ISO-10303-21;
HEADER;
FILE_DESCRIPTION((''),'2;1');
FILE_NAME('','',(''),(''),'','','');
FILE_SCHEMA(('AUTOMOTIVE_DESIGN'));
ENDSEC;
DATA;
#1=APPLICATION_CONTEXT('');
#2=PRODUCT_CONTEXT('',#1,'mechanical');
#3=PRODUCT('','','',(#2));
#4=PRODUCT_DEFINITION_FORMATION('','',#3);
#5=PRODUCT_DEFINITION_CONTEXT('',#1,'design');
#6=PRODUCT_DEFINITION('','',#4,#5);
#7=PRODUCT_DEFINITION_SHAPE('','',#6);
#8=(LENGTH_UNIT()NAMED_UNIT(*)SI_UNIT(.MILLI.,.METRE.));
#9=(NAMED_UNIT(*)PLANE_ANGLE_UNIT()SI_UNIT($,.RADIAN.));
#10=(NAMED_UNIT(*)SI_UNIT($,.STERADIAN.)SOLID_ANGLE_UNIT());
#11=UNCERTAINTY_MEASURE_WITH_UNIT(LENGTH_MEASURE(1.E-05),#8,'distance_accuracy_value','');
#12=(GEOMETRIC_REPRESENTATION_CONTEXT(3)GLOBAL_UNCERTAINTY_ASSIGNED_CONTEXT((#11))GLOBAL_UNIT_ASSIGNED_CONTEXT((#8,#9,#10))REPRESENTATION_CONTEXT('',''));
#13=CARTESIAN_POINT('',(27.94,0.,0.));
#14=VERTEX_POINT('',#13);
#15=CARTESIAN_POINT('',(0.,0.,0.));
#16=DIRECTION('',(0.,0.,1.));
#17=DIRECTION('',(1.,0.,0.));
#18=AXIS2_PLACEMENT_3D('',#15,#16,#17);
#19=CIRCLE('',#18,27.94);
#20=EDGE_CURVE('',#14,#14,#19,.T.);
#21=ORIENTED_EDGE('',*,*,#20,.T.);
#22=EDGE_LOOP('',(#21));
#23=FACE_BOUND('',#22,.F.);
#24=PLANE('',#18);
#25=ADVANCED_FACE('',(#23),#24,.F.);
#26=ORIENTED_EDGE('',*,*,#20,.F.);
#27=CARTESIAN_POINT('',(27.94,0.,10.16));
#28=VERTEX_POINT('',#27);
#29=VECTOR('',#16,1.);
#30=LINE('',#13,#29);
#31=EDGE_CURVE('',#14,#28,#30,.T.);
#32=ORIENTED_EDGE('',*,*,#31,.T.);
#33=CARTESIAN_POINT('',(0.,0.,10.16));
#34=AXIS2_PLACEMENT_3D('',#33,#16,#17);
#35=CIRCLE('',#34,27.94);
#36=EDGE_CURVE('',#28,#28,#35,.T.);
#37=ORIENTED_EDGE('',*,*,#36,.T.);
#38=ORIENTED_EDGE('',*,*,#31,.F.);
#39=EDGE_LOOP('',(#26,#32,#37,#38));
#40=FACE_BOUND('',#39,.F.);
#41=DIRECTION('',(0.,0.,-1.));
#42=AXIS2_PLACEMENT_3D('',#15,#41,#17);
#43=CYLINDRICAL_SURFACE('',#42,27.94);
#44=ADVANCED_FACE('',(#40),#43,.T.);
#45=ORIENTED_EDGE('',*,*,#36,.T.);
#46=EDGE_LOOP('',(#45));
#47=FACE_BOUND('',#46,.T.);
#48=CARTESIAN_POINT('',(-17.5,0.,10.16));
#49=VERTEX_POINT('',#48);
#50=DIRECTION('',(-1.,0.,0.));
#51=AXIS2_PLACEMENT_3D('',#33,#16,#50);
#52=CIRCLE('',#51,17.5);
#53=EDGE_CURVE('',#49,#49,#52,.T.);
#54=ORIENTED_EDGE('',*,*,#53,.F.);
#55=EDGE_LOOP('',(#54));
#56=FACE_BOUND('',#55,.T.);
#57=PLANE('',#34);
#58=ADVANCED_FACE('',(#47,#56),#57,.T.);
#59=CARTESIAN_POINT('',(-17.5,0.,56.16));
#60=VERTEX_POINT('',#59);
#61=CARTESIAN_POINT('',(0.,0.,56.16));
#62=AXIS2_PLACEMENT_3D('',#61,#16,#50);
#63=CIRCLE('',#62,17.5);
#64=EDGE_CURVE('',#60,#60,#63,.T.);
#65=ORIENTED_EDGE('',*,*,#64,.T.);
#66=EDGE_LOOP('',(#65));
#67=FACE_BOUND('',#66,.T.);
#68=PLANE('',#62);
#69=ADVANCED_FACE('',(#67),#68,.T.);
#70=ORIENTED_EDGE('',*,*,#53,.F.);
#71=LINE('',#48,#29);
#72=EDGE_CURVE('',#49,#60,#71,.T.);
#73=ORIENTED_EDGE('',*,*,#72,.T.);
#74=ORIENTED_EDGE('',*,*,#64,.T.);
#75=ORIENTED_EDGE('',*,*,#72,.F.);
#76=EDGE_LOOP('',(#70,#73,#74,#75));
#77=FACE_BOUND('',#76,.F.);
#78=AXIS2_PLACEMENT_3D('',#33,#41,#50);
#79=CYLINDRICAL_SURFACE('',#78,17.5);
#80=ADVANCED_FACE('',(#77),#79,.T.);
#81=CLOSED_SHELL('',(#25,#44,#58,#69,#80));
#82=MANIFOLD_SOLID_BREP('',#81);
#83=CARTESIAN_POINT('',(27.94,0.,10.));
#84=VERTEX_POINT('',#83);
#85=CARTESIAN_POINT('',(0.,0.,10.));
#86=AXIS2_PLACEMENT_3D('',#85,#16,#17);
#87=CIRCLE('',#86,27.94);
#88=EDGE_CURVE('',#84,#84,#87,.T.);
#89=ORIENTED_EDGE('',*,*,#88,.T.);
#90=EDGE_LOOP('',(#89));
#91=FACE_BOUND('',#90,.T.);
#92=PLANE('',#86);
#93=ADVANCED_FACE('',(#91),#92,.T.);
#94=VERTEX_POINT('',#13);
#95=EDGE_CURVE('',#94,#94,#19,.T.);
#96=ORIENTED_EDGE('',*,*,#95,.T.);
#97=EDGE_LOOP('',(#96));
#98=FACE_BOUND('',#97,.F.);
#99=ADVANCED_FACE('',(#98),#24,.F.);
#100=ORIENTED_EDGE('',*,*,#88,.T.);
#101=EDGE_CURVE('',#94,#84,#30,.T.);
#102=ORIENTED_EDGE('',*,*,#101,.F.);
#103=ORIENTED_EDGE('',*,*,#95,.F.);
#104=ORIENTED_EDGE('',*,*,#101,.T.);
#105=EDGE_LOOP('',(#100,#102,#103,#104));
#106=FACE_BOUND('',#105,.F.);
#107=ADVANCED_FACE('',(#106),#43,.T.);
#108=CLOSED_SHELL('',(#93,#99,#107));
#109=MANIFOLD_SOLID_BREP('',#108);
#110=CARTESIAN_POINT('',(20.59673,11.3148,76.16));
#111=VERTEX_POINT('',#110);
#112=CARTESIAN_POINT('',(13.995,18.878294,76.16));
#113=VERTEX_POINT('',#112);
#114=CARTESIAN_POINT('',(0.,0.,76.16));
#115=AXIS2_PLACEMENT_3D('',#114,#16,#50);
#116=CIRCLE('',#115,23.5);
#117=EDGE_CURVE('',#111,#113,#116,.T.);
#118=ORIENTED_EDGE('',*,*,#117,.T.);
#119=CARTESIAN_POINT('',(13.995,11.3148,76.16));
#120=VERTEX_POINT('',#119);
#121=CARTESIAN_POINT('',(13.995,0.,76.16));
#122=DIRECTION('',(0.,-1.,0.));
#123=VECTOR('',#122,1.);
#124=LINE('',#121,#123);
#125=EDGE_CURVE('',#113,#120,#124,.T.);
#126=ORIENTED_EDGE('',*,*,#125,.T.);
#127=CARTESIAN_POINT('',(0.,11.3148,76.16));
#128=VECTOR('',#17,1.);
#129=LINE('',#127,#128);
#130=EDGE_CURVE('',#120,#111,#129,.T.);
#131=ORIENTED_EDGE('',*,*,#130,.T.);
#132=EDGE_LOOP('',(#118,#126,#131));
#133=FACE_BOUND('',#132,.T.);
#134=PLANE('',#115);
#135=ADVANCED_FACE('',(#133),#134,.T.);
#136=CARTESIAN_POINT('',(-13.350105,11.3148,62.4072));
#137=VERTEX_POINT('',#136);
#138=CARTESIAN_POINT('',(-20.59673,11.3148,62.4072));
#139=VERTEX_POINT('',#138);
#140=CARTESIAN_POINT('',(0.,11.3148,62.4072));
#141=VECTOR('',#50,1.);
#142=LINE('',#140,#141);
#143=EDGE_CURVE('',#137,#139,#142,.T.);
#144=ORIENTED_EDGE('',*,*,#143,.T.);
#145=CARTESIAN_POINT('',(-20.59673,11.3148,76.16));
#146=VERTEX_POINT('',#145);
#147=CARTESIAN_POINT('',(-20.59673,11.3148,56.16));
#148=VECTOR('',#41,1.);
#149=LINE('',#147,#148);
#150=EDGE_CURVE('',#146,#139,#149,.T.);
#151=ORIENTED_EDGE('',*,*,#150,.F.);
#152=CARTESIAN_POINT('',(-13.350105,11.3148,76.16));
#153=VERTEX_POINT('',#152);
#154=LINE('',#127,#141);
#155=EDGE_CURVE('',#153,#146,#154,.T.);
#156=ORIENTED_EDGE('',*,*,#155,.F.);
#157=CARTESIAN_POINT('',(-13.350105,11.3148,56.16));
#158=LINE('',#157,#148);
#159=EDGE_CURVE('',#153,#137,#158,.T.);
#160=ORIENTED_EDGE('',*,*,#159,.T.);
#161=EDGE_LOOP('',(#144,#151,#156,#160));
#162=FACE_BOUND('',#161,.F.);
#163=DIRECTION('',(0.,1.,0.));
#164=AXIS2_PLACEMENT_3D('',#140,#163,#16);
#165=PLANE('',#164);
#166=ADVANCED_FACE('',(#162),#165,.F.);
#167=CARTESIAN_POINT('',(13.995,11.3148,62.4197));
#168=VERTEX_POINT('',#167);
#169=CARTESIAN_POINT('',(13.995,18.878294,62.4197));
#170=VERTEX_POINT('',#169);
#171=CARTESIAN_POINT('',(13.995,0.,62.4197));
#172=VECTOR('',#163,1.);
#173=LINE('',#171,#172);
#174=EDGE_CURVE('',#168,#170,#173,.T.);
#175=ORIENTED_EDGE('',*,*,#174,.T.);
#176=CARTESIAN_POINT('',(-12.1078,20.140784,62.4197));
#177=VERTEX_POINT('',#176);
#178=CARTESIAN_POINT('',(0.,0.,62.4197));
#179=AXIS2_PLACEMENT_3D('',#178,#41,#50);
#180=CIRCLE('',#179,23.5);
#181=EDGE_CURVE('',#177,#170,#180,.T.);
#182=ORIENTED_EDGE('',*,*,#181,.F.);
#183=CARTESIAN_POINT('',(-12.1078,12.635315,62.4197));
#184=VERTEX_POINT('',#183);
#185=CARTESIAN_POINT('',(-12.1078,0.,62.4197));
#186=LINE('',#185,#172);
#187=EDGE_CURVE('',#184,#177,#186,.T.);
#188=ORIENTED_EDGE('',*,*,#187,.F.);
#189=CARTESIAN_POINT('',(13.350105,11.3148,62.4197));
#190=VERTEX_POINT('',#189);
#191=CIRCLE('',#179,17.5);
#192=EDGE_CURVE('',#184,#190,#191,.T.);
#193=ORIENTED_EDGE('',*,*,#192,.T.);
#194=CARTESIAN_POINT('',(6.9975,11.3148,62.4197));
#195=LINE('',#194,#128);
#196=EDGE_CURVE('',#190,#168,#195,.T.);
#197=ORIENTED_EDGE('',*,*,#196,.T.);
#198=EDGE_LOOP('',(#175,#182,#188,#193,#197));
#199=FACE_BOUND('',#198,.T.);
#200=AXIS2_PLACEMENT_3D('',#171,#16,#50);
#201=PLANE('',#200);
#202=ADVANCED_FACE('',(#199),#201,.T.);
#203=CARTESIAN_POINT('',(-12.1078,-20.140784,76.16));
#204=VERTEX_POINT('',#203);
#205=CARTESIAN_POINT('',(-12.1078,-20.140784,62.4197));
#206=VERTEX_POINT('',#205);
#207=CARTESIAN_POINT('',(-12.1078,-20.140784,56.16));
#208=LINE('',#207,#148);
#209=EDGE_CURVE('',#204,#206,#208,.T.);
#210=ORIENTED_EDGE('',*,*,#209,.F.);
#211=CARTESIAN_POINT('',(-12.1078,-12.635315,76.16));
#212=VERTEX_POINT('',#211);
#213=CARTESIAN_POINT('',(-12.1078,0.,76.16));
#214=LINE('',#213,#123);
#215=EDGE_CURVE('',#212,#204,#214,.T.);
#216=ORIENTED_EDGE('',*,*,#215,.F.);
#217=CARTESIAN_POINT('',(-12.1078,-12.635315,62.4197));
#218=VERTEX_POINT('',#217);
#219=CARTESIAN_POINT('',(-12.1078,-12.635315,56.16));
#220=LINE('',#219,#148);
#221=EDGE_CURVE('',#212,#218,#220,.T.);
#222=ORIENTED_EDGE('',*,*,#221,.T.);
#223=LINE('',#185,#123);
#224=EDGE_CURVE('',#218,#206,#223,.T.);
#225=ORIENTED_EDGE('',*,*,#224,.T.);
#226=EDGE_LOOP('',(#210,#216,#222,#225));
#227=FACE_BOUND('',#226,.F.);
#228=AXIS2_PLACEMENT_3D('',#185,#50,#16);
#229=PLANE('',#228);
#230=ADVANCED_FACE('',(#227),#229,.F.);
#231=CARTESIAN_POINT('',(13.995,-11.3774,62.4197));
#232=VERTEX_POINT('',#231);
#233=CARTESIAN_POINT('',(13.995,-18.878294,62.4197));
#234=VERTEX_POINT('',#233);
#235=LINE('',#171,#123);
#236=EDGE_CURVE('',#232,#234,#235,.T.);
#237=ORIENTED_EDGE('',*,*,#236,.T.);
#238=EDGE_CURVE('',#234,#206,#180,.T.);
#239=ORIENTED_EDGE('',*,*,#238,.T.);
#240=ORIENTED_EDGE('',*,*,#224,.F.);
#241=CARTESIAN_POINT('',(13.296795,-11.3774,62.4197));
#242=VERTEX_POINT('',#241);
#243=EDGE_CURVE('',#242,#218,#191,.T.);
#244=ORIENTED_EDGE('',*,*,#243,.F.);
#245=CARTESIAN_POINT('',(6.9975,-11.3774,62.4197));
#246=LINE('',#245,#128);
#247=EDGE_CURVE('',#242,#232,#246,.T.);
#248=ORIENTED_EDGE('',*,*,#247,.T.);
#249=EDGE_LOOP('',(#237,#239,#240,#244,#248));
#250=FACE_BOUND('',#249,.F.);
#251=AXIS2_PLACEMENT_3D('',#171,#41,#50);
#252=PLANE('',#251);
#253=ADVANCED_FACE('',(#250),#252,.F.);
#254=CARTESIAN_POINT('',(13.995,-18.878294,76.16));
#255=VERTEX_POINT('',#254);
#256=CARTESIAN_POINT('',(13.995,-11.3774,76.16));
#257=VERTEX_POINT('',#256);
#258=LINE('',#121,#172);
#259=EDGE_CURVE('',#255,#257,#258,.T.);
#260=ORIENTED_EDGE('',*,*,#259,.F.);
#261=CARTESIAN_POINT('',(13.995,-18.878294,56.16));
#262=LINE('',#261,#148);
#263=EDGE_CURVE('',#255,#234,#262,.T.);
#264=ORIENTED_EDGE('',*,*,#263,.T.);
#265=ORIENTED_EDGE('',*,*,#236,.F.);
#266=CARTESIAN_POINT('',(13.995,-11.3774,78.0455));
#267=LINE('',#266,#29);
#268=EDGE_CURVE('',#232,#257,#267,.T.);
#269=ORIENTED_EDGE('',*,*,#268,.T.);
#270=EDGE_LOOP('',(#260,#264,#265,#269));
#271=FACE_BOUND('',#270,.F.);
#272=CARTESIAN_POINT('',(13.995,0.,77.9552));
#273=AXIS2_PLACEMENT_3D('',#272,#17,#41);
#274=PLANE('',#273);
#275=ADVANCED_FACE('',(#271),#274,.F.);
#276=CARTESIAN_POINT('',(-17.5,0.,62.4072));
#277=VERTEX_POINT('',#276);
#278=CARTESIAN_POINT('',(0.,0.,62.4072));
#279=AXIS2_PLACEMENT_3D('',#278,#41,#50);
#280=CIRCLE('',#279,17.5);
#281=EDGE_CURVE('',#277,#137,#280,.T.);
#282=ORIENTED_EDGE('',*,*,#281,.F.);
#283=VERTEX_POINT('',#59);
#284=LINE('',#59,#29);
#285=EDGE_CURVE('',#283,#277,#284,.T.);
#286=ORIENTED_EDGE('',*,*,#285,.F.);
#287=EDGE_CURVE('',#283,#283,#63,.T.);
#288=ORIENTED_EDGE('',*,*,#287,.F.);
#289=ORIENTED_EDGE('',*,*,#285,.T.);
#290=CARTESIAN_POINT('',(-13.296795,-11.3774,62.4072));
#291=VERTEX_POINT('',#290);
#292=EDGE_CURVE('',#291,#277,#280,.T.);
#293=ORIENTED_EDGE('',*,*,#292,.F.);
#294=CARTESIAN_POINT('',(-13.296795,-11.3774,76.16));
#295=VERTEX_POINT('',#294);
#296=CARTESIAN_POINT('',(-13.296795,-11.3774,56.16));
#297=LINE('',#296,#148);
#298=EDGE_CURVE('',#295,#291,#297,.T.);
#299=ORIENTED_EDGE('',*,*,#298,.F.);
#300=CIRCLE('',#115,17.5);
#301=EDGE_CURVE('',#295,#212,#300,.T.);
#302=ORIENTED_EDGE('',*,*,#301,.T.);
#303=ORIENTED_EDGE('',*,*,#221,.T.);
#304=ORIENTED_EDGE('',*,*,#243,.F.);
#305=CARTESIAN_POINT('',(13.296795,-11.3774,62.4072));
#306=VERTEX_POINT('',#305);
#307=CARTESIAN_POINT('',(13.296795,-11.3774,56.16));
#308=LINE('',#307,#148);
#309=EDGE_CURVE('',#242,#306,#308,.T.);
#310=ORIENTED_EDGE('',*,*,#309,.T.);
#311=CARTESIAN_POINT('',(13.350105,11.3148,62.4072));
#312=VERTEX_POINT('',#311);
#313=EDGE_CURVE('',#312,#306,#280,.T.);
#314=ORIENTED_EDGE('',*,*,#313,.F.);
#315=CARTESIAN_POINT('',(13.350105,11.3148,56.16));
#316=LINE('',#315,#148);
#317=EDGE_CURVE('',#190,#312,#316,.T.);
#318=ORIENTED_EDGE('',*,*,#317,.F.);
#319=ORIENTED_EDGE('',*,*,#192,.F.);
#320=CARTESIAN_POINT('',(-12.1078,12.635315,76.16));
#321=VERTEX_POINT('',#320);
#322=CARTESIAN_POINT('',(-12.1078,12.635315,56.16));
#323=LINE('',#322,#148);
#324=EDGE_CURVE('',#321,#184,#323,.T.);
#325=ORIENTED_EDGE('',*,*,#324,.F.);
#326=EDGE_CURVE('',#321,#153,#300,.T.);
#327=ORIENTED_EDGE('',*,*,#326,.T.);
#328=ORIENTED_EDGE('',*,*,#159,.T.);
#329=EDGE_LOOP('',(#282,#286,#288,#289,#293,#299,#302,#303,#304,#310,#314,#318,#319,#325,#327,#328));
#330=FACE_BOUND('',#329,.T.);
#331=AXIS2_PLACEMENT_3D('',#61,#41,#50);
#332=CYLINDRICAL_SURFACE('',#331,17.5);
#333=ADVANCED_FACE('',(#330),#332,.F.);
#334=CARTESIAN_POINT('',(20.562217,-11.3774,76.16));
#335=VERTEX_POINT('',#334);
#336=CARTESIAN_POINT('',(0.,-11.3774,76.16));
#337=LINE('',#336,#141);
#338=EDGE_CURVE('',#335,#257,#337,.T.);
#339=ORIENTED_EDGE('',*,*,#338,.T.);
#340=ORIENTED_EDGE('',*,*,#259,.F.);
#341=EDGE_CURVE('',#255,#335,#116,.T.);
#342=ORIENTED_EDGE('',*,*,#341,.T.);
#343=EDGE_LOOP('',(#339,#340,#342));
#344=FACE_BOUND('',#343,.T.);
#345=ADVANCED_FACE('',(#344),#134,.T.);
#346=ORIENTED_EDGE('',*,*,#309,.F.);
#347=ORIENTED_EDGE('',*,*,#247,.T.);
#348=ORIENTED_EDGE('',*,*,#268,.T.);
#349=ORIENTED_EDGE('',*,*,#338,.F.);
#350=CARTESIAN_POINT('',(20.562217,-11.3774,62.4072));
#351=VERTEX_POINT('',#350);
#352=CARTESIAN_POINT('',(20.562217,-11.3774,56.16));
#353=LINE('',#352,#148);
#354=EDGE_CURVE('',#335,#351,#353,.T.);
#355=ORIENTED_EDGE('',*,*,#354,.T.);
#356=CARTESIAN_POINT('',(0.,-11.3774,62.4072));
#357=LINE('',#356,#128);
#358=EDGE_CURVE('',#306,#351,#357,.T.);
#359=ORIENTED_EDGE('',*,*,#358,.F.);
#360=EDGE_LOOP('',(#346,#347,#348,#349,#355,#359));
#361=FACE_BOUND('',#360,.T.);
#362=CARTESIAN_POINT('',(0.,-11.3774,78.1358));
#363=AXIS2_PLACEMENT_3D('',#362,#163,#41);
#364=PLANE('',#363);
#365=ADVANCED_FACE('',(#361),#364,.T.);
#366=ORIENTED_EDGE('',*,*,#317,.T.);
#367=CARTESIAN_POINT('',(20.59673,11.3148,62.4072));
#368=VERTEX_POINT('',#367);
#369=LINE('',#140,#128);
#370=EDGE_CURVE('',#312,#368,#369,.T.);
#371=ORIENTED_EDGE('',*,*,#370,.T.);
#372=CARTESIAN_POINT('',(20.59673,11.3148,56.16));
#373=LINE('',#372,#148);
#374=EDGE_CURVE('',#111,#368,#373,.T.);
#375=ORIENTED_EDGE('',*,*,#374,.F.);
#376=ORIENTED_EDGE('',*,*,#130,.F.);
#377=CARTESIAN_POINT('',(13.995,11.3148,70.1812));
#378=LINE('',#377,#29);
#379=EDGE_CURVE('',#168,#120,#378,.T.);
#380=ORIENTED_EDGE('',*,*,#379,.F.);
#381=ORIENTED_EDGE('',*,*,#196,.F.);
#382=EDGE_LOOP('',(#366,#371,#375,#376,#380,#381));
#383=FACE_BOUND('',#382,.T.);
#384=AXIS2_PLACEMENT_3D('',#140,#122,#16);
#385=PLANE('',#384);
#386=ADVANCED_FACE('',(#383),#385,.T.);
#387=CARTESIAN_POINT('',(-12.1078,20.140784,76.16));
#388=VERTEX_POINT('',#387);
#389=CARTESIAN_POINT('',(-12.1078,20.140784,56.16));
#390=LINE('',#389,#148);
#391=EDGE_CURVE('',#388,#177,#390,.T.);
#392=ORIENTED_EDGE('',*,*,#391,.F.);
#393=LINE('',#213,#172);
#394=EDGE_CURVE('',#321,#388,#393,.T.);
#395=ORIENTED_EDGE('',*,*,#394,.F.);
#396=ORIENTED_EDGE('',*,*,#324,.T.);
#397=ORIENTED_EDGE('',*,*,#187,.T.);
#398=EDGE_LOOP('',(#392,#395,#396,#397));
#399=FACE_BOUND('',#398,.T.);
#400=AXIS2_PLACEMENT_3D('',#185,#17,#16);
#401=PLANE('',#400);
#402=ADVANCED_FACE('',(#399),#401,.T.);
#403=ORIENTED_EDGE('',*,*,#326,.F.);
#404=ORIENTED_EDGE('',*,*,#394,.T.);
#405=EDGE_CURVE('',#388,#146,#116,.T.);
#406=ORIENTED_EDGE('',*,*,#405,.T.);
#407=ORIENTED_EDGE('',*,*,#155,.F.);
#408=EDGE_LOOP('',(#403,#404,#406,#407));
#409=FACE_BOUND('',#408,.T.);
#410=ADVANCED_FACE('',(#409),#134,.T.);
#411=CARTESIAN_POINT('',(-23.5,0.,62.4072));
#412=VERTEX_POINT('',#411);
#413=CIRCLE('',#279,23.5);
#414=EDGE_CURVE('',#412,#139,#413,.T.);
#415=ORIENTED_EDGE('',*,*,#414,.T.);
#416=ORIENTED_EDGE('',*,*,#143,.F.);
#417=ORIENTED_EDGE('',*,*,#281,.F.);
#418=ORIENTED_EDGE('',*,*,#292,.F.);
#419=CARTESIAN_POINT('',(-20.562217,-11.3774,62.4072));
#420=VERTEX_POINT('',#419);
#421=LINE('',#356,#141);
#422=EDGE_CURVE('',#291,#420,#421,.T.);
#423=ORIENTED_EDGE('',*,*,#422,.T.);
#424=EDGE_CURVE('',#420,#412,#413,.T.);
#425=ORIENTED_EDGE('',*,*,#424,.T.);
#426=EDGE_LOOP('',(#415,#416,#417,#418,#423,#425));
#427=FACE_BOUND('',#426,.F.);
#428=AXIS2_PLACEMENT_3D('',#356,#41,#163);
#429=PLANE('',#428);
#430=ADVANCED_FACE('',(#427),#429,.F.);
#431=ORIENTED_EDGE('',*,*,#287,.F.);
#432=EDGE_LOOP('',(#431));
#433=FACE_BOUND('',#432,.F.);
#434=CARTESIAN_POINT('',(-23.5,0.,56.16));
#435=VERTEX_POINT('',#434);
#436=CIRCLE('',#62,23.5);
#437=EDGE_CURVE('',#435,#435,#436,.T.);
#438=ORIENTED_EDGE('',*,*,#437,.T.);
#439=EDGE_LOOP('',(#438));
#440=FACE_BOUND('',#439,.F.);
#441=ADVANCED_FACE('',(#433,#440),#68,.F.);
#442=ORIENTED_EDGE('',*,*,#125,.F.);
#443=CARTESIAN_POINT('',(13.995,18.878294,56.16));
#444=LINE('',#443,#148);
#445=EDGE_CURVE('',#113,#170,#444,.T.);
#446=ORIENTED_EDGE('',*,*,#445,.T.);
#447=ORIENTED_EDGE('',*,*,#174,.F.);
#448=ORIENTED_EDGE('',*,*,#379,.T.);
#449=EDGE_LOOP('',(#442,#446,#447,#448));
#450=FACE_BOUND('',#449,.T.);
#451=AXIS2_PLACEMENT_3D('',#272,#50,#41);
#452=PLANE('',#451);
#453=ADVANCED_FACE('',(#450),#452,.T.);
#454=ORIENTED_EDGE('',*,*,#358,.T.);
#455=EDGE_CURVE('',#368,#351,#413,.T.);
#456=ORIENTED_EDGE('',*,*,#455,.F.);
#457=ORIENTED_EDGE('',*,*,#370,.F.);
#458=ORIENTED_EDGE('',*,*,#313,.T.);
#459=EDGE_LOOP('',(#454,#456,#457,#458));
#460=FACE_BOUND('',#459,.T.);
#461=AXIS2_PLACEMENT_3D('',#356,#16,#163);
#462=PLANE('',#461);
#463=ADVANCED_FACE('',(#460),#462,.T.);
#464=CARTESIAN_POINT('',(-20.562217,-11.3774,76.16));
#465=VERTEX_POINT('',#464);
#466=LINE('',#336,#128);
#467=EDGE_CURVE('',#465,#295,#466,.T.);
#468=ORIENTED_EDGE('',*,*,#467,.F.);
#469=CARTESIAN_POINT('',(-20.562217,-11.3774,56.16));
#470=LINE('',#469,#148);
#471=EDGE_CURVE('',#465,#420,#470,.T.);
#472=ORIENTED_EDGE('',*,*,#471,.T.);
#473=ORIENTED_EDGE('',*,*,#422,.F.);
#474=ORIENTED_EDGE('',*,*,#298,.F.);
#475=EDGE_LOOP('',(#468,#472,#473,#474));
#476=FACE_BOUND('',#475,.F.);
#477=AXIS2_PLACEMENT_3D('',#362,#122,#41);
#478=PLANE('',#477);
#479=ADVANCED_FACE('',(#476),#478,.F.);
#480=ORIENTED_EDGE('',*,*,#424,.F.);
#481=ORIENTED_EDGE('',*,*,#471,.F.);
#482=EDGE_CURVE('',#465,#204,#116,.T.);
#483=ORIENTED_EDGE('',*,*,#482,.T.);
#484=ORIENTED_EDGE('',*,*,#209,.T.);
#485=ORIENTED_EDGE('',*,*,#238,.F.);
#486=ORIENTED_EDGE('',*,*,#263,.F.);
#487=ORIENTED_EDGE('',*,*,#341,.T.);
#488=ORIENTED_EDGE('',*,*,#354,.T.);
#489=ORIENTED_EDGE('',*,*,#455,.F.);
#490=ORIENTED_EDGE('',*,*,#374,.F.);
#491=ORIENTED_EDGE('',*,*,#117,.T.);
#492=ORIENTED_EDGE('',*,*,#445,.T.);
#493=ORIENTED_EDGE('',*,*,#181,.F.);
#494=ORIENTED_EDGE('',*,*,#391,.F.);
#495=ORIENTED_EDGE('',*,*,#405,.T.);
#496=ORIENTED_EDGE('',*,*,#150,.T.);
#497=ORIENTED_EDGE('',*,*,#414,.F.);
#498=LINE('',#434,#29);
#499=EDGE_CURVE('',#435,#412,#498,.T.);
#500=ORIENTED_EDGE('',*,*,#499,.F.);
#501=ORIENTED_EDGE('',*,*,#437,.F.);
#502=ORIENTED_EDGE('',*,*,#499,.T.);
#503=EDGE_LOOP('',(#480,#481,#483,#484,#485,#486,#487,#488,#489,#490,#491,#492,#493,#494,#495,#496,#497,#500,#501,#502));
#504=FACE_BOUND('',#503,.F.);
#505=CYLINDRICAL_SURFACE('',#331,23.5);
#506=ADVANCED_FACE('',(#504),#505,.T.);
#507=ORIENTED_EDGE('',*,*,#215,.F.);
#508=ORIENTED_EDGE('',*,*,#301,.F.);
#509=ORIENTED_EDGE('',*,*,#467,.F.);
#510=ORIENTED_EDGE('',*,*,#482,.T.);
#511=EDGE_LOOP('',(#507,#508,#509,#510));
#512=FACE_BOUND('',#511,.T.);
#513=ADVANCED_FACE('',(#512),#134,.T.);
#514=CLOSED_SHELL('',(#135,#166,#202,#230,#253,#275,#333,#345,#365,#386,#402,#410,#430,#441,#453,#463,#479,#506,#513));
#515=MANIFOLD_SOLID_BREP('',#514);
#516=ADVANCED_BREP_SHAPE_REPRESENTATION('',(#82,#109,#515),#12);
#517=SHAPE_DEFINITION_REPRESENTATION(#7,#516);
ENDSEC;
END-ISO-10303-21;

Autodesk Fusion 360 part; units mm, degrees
sketch "Sketch1" plane through (0, 0, 0) normal (0, 0, 1) x (1, 0, 0)
  circle A0 centre (0, 0) radius 27.94
  dimension "d1" = 55.88
extrude "Extrude1" add sketch "Sketch1" along normal blind 10.16 makes body 1
sketch "Sketch2" plane through (0, 0, 0) normal (0, 0, 1) x (1, 0, 0)
  circle A0 centre (0, 0) radius 27.94
  dimension "d4" = 55.88
extrude "Extrude2" add sketch "Sketch2" along normal blind 10 separate body makes body 2
sketch "Sketch3" plane through (0, 0, 10.16) normal (0, 0, 1) x (-1, 0, 0)
  circle A0 centre (0, 0) radius 27.94
  circle A1 centre (0, 0) radius 17.5
  dimension "d7" = 35
extrude "Extrude3" add sketch "Sketch3" along normal blind 46 contours A1 bodies 1
sketch "Sketch4" plane through (0, 0, 56.16) normal (0, 0, 1) x (-1, 0, 0)
  circle A0 centre (0, 0) radius 17.5
  circle A1 centre (0, 0) radius 23.5
  dimension "d10" = 47
extrude "Extrude4" add sketch "Sketch4" along normal blind 20 separate body makes body 3
sketch "Sketch5" plane through (0, 0, 0) normal (0, 1, 0) x (1, 0, 0)
  line L0 (-12.1078, -77.9552) -> (13.995, -77.9552)
  line L1 (13.995, -77.9552) -> (13.995, -62.4197)
  line L2 (13.995, -62.4197) -> (-12.1078, -62.4197)
  line L3 (-12.1078, -62.4197) -> (-12.1078, -77.9552)
extrude "Extrude5" cut sketch "Sketch5" against normal blind 80 bodies 3
extrude "Extrude6" cut sketch "Sketch5" along normal blind 45 bodies 3
sketch "Sketch6" plane through (0, 0, 0) normal (1, 0, 0) x (0, 1, 0)
  line L0 (-11.3774, 62.4072) -> (11.3148, 62.4072)
  line L1 (11.3148, 62.4072) -> (11.3148, 78.1358)
  line L2 (11.3148, 78.1358) -> (-11.3774, 78.1358)
  line L3 (-11.3774, 78.1358) -> (-11.3774, 62.4072)
extrude "Extrude7" cut sketch "Sketch6" against normal blind 32 bodies 3
extrude "Extrude8" cut sketch "Sketch6" along normal blind 33 bodies 3
